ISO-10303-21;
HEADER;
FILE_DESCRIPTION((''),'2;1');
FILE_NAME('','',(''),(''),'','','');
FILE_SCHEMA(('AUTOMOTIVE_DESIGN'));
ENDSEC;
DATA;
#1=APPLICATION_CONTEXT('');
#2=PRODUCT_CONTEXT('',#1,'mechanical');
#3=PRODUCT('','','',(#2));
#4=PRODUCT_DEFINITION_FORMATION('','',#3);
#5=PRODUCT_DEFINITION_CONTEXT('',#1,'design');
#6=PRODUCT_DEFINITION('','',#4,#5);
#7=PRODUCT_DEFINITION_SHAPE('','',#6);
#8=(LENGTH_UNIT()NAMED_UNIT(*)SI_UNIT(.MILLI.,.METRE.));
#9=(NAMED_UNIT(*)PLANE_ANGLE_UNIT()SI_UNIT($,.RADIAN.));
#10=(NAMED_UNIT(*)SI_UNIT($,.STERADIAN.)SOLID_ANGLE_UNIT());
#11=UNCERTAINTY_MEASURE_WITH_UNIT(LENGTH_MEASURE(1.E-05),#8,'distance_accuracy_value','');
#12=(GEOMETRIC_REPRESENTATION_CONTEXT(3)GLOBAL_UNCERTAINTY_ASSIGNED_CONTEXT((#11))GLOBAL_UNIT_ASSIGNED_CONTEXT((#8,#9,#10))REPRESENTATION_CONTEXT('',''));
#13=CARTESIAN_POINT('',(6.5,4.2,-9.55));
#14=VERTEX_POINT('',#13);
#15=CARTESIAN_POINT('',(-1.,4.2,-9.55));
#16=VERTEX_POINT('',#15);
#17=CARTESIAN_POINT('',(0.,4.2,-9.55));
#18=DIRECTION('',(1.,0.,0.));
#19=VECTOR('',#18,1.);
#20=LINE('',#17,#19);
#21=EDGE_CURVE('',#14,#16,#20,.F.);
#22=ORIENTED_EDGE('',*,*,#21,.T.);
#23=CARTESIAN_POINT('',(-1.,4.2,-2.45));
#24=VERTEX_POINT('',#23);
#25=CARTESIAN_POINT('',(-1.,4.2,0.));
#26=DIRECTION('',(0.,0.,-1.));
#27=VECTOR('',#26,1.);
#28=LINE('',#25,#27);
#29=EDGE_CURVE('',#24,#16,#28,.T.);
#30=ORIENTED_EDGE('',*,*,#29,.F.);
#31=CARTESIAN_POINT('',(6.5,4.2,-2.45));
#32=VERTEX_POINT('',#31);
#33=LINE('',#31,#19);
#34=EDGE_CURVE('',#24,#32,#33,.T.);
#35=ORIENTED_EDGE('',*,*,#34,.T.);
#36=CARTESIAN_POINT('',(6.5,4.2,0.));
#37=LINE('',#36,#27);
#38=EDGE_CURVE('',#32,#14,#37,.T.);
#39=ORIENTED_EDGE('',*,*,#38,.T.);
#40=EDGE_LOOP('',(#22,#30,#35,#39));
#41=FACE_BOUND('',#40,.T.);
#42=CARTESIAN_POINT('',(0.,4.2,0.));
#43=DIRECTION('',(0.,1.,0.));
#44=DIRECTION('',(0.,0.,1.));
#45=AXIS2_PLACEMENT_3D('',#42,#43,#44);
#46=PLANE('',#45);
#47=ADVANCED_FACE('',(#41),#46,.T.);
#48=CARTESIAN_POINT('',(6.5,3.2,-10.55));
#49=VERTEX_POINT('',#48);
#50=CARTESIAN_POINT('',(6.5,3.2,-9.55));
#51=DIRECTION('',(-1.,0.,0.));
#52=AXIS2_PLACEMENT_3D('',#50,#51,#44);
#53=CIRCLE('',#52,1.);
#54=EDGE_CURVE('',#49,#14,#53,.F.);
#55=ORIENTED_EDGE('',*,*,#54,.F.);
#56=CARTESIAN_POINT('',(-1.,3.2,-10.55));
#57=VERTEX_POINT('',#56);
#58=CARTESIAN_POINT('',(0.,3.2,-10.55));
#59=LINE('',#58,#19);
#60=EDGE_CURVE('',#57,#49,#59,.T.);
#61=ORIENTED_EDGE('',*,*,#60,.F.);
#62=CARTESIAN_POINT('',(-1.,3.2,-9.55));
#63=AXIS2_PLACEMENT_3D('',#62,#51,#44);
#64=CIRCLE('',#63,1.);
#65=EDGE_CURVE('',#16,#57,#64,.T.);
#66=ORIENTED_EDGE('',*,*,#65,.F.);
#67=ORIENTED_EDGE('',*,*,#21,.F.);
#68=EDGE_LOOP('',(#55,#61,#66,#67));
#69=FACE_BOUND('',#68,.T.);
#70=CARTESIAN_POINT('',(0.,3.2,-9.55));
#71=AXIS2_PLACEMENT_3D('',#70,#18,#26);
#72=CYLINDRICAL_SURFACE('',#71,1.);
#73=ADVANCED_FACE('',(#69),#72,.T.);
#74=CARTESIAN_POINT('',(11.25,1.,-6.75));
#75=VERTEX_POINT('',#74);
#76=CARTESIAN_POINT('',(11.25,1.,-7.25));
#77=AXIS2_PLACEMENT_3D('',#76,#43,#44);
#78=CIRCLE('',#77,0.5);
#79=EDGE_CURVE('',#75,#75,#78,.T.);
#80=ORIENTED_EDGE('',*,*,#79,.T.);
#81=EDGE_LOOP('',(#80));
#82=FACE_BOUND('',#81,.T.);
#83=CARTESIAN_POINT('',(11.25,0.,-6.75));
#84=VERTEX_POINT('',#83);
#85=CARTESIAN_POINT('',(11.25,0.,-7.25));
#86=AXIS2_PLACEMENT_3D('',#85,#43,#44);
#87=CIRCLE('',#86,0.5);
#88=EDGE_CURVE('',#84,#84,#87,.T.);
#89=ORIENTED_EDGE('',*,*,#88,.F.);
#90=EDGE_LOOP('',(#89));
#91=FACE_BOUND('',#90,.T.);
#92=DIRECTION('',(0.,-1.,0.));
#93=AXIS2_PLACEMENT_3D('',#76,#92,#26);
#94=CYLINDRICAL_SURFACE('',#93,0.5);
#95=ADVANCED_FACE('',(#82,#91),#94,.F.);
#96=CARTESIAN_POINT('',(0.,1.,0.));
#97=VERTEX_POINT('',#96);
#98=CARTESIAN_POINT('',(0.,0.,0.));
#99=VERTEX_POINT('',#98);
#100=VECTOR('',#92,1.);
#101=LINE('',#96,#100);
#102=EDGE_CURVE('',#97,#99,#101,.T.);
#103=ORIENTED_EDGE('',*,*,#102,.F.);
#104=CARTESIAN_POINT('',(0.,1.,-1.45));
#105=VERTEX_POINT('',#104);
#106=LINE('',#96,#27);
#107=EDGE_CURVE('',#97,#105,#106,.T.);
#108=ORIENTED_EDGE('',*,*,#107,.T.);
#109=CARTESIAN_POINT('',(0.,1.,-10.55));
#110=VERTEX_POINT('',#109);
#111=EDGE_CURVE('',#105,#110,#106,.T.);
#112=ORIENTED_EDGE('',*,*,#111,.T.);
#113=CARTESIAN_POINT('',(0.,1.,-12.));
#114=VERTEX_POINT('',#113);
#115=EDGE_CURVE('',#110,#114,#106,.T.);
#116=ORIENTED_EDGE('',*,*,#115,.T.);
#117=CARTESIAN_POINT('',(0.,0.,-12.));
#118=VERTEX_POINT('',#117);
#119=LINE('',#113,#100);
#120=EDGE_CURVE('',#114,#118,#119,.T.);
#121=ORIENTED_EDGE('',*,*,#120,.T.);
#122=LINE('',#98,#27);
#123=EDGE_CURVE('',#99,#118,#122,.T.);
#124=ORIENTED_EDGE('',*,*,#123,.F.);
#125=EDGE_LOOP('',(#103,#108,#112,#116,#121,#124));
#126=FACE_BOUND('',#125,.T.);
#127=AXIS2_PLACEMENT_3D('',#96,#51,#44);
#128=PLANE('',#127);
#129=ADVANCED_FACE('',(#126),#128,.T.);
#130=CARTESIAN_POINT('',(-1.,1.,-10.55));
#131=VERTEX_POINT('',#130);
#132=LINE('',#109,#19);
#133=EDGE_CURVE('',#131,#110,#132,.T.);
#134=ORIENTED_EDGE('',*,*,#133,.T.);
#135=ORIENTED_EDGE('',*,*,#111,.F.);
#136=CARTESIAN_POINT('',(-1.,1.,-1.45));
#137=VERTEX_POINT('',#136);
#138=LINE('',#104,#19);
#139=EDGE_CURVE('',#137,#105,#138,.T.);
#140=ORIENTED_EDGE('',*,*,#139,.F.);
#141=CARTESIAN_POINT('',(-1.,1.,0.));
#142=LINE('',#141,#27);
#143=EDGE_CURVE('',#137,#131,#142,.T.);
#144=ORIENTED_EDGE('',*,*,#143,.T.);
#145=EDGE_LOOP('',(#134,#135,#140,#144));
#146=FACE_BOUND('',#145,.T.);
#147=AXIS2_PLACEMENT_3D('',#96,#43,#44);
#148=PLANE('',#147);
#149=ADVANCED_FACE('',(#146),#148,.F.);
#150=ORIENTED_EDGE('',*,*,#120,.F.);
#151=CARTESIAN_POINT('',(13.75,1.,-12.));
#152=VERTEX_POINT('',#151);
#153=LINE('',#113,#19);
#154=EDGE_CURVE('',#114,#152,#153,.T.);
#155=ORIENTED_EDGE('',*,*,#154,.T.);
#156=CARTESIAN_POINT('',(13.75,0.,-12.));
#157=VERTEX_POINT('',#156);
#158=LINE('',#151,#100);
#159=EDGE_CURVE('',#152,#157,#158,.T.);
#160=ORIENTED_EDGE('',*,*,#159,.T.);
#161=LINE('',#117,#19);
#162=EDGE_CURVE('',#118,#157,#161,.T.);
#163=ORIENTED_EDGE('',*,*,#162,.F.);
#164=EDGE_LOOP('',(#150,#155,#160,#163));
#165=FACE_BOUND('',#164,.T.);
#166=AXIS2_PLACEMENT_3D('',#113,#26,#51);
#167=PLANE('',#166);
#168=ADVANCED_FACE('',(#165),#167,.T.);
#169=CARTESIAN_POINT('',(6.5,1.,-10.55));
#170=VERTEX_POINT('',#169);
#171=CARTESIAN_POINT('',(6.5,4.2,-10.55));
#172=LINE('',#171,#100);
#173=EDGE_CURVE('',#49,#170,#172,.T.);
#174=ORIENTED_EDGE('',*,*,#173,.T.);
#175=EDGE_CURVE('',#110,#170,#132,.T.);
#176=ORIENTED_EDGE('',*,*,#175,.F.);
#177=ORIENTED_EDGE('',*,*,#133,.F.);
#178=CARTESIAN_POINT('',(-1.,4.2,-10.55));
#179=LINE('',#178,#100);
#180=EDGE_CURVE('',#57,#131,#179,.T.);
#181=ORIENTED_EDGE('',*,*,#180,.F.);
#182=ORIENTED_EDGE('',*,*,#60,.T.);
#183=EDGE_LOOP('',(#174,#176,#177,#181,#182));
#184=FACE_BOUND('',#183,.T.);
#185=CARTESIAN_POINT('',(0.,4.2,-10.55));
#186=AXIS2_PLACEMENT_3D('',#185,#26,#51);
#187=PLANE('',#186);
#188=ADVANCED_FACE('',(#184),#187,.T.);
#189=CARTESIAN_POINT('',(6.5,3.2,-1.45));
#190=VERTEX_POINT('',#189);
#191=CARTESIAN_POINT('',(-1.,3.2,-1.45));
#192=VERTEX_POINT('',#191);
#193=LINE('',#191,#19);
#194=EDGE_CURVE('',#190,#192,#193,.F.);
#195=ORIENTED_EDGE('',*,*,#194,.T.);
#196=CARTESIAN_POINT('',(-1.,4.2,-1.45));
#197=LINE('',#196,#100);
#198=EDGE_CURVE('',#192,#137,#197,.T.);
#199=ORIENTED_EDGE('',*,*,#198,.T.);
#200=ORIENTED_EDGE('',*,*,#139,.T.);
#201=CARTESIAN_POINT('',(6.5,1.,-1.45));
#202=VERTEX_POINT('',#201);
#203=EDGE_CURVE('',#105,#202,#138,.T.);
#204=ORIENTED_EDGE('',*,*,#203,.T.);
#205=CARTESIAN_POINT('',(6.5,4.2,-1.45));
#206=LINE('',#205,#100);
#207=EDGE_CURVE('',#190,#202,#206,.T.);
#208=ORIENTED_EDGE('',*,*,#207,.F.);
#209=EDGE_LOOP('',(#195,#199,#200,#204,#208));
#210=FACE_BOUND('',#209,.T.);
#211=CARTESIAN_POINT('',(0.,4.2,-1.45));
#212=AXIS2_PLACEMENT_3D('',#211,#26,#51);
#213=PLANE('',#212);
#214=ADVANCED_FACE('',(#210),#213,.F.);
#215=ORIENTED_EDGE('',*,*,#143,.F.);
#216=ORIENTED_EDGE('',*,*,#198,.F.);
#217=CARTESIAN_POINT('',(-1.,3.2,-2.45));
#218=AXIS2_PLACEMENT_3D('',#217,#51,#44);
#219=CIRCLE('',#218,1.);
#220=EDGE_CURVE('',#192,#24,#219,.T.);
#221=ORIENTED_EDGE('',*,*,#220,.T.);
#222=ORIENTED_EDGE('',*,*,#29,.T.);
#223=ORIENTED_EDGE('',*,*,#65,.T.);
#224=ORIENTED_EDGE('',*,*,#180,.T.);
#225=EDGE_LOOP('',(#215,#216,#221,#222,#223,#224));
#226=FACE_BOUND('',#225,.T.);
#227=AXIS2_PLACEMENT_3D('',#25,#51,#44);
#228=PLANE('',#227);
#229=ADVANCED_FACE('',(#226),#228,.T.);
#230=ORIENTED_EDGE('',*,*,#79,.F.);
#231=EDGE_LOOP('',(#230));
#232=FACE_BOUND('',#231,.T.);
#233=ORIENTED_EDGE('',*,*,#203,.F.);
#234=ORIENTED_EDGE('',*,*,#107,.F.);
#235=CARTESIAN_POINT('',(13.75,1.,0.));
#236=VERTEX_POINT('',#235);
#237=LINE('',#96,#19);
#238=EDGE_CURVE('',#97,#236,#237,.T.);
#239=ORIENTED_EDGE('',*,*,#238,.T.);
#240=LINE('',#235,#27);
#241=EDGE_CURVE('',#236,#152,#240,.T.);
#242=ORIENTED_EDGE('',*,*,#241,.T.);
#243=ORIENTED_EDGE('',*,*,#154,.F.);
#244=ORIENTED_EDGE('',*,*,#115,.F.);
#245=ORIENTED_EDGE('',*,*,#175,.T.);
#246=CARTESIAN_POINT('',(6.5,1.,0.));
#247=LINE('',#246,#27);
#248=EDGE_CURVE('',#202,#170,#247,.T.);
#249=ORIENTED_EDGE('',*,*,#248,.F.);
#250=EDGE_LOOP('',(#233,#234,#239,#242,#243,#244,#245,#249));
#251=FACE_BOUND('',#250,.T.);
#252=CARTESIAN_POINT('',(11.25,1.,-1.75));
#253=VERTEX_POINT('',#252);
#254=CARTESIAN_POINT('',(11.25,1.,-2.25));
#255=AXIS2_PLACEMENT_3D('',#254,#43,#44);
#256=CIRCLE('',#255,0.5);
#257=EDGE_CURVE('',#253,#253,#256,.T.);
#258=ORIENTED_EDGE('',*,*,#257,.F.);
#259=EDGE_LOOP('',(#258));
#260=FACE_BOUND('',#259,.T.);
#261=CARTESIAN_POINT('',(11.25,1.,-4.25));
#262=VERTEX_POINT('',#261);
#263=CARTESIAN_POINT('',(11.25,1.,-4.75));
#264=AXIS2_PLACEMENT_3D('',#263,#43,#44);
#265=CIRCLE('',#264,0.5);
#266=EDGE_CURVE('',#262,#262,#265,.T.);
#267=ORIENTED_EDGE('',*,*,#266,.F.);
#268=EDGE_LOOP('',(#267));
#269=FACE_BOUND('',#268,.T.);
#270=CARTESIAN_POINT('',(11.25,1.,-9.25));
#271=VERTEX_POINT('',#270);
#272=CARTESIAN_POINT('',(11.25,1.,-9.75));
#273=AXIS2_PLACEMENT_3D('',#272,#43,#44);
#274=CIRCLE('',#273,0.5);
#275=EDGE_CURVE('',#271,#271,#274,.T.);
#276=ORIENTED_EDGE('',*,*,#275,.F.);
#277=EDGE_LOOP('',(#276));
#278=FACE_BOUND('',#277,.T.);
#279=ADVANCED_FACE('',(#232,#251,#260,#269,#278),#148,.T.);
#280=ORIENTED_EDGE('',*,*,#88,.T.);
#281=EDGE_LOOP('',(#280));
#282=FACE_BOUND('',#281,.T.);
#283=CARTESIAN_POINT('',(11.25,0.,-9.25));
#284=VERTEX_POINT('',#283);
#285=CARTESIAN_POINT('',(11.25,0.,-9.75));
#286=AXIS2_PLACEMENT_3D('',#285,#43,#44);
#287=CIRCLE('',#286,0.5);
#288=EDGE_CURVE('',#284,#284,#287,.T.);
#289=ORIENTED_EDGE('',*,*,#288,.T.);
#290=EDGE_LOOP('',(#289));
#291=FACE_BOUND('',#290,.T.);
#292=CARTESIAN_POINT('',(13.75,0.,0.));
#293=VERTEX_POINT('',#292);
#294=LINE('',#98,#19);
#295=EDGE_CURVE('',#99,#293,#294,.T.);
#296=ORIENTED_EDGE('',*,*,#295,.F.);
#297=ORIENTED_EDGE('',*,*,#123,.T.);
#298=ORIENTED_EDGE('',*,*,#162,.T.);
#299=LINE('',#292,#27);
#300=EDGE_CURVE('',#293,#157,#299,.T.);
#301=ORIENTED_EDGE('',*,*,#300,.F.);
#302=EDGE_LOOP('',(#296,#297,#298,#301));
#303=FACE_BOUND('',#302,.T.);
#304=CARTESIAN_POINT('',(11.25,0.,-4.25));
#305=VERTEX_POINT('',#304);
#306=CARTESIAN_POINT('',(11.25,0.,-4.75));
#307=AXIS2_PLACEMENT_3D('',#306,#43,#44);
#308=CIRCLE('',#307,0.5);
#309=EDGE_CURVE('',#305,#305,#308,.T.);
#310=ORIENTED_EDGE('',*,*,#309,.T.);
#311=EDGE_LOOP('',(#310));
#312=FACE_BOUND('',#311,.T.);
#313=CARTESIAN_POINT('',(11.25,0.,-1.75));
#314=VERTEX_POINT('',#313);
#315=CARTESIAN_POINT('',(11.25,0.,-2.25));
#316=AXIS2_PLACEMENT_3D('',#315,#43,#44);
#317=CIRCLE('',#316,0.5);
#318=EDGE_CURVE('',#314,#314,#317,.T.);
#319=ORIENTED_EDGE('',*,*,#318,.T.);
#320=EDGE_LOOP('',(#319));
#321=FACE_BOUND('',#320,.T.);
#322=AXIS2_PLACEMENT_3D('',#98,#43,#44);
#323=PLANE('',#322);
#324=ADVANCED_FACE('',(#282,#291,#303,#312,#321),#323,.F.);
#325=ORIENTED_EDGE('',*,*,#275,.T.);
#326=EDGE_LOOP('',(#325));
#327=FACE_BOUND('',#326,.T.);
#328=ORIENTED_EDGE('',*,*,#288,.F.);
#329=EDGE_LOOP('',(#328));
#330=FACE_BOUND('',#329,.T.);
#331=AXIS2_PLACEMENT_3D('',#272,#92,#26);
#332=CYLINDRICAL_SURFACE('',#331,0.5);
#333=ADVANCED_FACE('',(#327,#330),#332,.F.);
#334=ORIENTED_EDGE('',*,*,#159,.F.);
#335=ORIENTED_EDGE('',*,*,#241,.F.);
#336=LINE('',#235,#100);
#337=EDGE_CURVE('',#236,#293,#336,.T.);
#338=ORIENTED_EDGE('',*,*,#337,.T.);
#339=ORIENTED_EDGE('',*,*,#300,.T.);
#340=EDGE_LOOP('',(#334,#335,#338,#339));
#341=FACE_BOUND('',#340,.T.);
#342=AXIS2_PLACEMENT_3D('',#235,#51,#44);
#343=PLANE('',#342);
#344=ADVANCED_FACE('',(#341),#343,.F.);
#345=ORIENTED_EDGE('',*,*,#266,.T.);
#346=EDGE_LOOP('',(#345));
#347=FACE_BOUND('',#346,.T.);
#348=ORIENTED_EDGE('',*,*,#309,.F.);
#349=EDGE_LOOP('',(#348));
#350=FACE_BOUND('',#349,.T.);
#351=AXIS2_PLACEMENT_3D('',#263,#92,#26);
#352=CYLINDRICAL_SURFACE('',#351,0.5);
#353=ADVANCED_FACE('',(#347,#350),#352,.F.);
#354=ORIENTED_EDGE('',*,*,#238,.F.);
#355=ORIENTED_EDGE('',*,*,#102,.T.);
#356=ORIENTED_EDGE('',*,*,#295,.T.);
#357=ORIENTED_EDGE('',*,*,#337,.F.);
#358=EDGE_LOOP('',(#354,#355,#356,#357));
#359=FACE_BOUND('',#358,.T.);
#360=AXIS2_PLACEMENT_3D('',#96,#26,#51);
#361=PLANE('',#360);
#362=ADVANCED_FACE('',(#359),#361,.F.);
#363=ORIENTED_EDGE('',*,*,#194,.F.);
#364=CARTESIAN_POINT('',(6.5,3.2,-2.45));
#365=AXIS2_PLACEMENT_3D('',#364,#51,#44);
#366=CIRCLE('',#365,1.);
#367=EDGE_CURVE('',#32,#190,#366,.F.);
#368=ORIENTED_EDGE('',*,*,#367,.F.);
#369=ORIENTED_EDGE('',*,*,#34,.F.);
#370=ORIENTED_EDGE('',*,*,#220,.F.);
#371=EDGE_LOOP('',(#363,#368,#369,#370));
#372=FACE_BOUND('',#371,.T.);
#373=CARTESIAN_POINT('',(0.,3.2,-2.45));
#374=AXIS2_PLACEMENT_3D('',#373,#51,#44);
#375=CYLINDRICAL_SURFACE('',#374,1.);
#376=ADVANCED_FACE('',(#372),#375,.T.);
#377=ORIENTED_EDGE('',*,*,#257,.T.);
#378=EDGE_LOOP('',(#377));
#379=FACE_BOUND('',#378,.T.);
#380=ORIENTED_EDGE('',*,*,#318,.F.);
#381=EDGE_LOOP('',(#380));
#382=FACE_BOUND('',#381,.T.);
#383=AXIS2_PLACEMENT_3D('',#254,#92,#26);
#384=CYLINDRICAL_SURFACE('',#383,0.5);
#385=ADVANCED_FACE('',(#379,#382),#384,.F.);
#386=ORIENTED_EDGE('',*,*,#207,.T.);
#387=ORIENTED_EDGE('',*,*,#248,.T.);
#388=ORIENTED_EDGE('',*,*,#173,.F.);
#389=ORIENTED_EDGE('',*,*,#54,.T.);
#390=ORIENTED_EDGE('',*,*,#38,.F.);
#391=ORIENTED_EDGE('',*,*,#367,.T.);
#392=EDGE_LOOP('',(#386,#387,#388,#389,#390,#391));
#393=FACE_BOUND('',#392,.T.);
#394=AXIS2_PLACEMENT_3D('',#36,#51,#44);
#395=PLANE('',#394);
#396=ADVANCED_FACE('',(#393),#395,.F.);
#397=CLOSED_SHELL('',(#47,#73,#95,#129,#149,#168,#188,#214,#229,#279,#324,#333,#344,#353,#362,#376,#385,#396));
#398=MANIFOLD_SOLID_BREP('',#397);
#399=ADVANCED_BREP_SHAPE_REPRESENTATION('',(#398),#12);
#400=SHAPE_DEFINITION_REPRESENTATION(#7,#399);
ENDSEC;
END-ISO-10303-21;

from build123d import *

# Parameters (mm, degrees)
SKETCH1_R           = 0.5
SKETCH1_W           = 6.5
SKETCH1_H           = 9.1
BOSS_EXTRUDE1_DEPTH = 1
BOSS_EXTRUDE2_START = 1
SKETCH1_3_W         = 1
SKETCH1_3_H         = 9.1
SKETCH1_3_W_2       = 6.5
BOSS_EXTRUDE2_DEPTH = 3.2
FILLET1_R           = 1


with BuildPart() as part:
    # Sketch1 → Boss-Extrude1 (new body)
    # profile 1 of 2: a face of its own
    with BuildSketch(Plane(origin=(0, 0, 0), x_dir=(1, 0, 0), z_dir=(0, 1, 0))):
        Polygon((0, 1.45), (0, 0), (13.75, 0), (13.75, 12), (0, 12), (0, 10.55), (6.5, 10.55), (6.5, 1.45), align=None)
        with Locations(Location((11.25, 2.25, 0), (0, 0, 270))):
            Circle(SKETCH1_R, mode=Mode.SUBTRACT)
        with Locations(Location((11.25, 4.75, 0), (0, 0, 270))):
            Circle(SKETCH1_R, mode=Mode.SUBTRACT)
        with Locations(Location((11.25, 7.25, 0), (0, 0, 270))):
            Circle(SKETCH1_R, mode=Mode.SUBTRACT)
        with Locations(Location((11.25, 9.75, 0), (0, 0, 270))):
            Circle(SKETCH1_R, mode=Mode.SUBTRACT)
    # profile 2 of 2: a face of its own
    with BuildSketch(Plane(origin=(0, 0, 0), x_dir=(1, 0, 0), z_dir=(0, 1, 0))):
        with Locations((3.25, 6)):
            Rectangle(SKETCH1_W, SKETCH1_H)
    extrude(amount=BOSS_EXTRUDE1_DEPTH)

    # Sketch1<3> → Boss-Extrude2 (add)
    with BuildSketch(Plane(origin=(0, 0, 0), x_dir=(1, 0, 0), z_dir=(0, 1, 0)).offset(BOSS_EXTRUDE2_START)):
        with Locations((-0.5, 6)):
            Rectangle(SKETCH1_3_W, SKETCH1_3_H)
        with Locations((3.25, 6)):
            Rectangle(SKETCH1_3_W_2, SKETCH1_3_H)
    extrude(amount=BOSS_EXTRUDE2_DEPTH)

    # Fillet1
    fillet1_edges = [part.edges().sort_by_distance(p)[0] for p in [
        (2.75, 4.2, -10.55),
        (2.75, 4.2, -1.45),
    ]]
    fillet(fillet1_edges, radius=FILLET1_R)


solid = part.part
